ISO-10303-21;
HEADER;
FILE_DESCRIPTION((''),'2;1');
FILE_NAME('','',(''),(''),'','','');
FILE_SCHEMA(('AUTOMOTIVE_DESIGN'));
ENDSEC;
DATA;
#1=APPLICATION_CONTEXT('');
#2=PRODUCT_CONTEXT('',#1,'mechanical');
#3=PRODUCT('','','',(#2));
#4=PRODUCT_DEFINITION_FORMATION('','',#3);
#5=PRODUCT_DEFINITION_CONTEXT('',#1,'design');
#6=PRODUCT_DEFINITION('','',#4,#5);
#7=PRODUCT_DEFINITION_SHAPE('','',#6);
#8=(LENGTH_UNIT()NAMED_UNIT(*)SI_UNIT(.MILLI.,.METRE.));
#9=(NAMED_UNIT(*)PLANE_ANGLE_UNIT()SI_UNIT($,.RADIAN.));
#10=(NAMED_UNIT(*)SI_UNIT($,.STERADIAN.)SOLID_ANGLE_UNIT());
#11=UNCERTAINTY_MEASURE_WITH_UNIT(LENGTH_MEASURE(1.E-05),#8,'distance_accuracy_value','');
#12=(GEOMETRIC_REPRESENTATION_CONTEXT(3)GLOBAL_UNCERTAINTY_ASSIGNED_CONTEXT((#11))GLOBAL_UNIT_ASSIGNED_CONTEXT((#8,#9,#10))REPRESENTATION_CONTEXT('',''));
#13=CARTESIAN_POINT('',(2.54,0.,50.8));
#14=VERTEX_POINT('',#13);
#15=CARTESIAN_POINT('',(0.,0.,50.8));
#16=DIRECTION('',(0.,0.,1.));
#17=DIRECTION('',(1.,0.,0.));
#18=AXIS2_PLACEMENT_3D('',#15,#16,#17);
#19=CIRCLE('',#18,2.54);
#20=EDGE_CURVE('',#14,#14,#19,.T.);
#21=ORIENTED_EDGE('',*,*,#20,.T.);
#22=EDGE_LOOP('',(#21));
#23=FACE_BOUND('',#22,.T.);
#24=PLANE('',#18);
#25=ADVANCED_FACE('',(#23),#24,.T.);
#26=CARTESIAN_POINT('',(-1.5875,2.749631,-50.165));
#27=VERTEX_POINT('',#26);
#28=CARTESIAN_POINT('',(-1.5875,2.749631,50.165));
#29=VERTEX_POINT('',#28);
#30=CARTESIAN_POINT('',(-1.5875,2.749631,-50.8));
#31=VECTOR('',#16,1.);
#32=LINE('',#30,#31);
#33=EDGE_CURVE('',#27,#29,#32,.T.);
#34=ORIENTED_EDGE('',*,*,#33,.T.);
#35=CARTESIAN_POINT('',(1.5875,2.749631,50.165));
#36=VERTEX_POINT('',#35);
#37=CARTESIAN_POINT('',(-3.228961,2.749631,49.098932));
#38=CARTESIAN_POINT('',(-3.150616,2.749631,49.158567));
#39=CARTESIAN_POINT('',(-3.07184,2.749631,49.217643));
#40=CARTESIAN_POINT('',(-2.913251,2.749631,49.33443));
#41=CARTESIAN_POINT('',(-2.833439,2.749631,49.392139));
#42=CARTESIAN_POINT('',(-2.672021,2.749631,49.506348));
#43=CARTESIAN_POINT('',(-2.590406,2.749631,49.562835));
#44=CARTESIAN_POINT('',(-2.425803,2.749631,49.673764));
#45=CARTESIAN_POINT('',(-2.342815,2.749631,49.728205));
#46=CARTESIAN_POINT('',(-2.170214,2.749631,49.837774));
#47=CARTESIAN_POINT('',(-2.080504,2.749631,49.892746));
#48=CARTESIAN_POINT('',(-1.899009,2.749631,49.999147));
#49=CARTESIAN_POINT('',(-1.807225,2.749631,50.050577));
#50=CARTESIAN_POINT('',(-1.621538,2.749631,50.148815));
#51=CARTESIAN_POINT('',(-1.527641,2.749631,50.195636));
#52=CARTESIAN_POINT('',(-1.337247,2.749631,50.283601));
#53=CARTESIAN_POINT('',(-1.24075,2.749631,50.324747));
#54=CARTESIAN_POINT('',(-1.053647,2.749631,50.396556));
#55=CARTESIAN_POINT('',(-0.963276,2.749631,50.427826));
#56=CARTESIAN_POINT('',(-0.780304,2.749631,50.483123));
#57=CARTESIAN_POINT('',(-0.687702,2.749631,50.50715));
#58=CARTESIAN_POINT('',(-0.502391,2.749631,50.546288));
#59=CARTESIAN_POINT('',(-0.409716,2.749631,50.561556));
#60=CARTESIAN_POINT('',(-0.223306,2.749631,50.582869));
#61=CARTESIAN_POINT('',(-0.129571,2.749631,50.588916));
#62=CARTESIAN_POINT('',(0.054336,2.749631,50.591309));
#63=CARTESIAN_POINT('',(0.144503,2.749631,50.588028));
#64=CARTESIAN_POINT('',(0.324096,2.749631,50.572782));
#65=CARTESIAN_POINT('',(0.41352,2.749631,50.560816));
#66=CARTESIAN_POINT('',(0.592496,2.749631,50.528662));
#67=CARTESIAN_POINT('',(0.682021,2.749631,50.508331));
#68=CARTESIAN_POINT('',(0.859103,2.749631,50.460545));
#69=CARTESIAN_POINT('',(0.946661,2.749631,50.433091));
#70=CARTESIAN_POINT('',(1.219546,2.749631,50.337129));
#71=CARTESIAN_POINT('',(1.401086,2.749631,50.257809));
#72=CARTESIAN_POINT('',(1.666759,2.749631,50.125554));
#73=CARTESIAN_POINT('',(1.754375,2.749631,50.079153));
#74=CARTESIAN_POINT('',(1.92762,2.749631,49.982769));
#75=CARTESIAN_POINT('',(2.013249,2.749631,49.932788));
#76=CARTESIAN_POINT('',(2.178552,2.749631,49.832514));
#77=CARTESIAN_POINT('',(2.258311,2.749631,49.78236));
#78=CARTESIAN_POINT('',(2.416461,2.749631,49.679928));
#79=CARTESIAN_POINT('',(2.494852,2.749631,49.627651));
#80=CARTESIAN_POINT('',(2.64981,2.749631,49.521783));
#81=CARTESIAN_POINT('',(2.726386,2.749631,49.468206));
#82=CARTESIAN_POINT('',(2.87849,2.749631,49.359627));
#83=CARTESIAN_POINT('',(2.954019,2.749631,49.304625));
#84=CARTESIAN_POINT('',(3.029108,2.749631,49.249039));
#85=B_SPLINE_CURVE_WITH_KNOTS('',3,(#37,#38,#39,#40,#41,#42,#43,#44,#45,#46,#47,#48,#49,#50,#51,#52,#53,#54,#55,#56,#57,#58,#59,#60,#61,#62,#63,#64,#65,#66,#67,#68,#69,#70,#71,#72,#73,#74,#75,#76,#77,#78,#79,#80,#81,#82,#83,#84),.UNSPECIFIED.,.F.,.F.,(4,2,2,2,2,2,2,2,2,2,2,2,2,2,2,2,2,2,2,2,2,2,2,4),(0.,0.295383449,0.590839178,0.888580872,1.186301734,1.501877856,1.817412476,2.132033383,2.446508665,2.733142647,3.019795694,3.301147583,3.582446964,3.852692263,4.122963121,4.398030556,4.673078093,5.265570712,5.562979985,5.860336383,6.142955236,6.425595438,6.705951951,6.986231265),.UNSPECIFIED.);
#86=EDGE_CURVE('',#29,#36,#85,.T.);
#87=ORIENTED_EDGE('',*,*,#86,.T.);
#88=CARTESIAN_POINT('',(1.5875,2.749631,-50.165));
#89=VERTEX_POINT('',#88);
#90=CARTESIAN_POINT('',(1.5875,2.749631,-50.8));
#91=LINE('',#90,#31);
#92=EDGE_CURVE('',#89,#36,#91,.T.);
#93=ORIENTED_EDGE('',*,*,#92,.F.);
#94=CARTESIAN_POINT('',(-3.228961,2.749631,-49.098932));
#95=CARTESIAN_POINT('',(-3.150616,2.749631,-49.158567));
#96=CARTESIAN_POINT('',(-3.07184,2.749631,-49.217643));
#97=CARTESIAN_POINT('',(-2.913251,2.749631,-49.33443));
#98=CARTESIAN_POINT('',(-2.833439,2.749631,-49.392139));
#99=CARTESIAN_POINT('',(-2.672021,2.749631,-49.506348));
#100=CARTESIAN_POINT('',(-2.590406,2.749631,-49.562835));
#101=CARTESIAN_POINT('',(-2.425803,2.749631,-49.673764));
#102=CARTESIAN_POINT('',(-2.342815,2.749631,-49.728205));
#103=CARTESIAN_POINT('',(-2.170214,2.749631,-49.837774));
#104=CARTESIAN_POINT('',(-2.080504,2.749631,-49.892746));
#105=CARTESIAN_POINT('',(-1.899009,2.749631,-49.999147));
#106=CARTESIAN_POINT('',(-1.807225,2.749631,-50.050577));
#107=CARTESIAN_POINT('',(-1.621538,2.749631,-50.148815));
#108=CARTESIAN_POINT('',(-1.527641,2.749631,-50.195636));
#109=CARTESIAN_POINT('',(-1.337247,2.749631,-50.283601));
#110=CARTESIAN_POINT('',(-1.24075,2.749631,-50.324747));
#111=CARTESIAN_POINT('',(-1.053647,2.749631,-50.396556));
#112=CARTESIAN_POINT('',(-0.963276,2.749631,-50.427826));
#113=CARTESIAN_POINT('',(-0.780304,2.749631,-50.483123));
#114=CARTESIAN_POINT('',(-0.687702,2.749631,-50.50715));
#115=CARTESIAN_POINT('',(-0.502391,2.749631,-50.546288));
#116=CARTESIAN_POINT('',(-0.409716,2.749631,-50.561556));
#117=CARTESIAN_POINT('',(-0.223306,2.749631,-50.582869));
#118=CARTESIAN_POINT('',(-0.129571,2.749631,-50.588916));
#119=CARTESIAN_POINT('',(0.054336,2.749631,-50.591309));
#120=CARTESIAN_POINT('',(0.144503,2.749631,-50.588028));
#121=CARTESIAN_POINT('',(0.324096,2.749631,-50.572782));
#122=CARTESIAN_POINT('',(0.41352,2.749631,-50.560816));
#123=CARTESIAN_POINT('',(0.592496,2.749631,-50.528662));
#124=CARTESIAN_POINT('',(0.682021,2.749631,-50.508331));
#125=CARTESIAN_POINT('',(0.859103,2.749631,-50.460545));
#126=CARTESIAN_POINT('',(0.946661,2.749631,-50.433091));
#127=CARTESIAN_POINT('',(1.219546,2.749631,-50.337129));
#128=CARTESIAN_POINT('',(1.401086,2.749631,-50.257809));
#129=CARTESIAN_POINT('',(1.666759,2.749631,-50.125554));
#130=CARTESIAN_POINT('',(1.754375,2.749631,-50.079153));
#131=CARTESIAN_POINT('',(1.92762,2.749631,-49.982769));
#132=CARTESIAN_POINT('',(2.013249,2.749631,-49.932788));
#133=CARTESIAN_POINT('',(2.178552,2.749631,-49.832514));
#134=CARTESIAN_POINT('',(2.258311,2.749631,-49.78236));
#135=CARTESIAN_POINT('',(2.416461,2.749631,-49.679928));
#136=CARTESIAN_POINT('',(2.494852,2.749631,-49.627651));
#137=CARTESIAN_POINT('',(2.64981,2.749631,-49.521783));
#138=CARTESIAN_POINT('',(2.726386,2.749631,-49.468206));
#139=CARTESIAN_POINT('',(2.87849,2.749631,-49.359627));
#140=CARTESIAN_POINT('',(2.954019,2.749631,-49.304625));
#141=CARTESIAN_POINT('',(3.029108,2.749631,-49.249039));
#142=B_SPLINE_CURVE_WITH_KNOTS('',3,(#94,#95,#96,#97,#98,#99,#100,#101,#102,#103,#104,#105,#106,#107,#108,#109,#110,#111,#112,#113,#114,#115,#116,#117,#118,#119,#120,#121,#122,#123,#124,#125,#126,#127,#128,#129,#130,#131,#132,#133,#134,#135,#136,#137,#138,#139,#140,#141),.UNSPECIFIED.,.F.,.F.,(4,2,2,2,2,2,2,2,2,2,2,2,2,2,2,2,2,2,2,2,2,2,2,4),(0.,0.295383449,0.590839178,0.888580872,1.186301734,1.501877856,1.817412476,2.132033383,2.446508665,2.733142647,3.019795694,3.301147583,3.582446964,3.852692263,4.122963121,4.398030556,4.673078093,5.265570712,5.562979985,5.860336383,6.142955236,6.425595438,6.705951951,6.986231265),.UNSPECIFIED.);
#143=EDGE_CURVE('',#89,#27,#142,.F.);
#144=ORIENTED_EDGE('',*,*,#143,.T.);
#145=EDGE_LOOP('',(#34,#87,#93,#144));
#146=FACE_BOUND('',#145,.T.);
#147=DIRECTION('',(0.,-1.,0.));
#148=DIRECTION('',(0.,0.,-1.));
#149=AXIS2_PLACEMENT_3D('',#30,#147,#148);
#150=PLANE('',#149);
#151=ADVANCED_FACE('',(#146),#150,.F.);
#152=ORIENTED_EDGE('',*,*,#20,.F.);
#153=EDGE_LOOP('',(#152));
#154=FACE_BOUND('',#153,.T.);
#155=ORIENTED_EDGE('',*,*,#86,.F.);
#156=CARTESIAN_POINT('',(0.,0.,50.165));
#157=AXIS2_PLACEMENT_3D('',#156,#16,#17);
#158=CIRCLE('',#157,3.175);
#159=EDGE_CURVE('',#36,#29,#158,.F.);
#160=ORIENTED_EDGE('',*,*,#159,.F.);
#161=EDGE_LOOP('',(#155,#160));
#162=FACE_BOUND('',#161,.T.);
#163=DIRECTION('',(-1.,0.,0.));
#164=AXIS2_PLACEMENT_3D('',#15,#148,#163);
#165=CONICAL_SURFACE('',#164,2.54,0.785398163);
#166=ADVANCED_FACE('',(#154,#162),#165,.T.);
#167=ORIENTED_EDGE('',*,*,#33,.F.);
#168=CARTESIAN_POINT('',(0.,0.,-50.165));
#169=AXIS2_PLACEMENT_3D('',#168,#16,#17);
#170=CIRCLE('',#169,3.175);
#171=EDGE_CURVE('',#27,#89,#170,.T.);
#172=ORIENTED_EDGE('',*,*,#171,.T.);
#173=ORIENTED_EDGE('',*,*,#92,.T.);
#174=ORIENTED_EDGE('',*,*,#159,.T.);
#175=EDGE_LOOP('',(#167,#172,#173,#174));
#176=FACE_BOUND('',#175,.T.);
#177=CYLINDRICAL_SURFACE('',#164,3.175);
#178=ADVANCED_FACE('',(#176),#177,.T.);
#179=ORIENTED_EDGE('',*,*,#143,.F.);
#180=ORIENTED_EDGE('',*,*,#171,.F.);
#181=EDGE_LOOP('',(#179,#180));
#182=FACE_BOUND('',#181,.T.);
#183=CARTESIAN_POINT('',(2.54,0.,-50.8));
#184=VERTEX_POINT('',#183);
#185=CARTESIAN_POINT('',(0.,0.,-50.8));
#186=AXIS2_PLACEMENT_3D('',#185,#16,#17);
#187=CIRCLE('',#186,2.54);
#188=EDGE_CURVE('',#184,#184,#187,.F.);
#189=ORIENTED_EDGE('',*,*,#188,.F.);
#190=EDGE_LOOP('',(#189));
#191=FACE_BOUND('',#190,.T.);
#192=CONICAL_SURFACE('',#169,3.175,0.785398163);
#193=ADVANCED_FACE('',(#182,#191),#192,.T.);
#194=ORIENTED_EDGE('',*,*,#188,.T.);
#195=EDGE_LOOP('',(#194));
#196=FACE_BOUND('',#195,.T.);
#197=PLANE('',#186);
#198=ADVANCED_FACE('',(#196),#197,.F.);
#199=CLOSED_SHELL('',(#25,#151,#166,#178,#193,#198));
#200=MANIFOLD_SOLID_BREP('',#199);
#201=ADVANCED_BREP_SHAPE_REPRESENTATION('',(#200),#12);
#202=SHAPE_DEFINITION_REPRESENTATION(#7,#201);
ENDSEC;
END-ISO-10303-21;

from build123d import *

# Parameters (mm, degrees)
SKETCH1_R           = 3.175
EXTRUDE1_DEPTH      = 50.8
CHAMFER1_SIZE       = 0.635
EXTRUDE7_DEPTH      = 51.998051433
EXTRUDE7_DEPTH_BACK = 51.998051433


with BuildPart() as part:
    # Sketch1 → Extrude1 (new, symmetric)
    with BuildSketch(Plane.XY):
        Circle(SKETCH1_R)
    extrude(amount=EXTRUDE1_DEPTH, both=True)

    # Chamfer1
    chamfer1_edges = [part.edges().sort_by_distance(p)[0] for p in [
        (-3.175, 0, -50.8),
        (-3.175, 0, 50.8),
    ]]
    chamfer(chamfer1_edges, length=CHAMFER1_SIZE)

    # Sketch13 → Extrude7 (cut, two sides: drawn at the far end of the back side and taken through both)
    with BuildSketch(Plane.XY.offset(-EXTRUDE7_DEPTH_BACK)):
        with BuildLine():
            Line((-1.5875, 2.749630657), (1.5875, 2.749630657))
            ThreePointArc((1.5875, 2.749630657), (0, 3.175), (-1.5875, 2.749630657))
        make_face()
    extrude(amount=EXTRUDE7_DEPTH + EXTRUDE7_DEPTH_BACK, mode=Mode.SUBTRACT)


solid = part.part
